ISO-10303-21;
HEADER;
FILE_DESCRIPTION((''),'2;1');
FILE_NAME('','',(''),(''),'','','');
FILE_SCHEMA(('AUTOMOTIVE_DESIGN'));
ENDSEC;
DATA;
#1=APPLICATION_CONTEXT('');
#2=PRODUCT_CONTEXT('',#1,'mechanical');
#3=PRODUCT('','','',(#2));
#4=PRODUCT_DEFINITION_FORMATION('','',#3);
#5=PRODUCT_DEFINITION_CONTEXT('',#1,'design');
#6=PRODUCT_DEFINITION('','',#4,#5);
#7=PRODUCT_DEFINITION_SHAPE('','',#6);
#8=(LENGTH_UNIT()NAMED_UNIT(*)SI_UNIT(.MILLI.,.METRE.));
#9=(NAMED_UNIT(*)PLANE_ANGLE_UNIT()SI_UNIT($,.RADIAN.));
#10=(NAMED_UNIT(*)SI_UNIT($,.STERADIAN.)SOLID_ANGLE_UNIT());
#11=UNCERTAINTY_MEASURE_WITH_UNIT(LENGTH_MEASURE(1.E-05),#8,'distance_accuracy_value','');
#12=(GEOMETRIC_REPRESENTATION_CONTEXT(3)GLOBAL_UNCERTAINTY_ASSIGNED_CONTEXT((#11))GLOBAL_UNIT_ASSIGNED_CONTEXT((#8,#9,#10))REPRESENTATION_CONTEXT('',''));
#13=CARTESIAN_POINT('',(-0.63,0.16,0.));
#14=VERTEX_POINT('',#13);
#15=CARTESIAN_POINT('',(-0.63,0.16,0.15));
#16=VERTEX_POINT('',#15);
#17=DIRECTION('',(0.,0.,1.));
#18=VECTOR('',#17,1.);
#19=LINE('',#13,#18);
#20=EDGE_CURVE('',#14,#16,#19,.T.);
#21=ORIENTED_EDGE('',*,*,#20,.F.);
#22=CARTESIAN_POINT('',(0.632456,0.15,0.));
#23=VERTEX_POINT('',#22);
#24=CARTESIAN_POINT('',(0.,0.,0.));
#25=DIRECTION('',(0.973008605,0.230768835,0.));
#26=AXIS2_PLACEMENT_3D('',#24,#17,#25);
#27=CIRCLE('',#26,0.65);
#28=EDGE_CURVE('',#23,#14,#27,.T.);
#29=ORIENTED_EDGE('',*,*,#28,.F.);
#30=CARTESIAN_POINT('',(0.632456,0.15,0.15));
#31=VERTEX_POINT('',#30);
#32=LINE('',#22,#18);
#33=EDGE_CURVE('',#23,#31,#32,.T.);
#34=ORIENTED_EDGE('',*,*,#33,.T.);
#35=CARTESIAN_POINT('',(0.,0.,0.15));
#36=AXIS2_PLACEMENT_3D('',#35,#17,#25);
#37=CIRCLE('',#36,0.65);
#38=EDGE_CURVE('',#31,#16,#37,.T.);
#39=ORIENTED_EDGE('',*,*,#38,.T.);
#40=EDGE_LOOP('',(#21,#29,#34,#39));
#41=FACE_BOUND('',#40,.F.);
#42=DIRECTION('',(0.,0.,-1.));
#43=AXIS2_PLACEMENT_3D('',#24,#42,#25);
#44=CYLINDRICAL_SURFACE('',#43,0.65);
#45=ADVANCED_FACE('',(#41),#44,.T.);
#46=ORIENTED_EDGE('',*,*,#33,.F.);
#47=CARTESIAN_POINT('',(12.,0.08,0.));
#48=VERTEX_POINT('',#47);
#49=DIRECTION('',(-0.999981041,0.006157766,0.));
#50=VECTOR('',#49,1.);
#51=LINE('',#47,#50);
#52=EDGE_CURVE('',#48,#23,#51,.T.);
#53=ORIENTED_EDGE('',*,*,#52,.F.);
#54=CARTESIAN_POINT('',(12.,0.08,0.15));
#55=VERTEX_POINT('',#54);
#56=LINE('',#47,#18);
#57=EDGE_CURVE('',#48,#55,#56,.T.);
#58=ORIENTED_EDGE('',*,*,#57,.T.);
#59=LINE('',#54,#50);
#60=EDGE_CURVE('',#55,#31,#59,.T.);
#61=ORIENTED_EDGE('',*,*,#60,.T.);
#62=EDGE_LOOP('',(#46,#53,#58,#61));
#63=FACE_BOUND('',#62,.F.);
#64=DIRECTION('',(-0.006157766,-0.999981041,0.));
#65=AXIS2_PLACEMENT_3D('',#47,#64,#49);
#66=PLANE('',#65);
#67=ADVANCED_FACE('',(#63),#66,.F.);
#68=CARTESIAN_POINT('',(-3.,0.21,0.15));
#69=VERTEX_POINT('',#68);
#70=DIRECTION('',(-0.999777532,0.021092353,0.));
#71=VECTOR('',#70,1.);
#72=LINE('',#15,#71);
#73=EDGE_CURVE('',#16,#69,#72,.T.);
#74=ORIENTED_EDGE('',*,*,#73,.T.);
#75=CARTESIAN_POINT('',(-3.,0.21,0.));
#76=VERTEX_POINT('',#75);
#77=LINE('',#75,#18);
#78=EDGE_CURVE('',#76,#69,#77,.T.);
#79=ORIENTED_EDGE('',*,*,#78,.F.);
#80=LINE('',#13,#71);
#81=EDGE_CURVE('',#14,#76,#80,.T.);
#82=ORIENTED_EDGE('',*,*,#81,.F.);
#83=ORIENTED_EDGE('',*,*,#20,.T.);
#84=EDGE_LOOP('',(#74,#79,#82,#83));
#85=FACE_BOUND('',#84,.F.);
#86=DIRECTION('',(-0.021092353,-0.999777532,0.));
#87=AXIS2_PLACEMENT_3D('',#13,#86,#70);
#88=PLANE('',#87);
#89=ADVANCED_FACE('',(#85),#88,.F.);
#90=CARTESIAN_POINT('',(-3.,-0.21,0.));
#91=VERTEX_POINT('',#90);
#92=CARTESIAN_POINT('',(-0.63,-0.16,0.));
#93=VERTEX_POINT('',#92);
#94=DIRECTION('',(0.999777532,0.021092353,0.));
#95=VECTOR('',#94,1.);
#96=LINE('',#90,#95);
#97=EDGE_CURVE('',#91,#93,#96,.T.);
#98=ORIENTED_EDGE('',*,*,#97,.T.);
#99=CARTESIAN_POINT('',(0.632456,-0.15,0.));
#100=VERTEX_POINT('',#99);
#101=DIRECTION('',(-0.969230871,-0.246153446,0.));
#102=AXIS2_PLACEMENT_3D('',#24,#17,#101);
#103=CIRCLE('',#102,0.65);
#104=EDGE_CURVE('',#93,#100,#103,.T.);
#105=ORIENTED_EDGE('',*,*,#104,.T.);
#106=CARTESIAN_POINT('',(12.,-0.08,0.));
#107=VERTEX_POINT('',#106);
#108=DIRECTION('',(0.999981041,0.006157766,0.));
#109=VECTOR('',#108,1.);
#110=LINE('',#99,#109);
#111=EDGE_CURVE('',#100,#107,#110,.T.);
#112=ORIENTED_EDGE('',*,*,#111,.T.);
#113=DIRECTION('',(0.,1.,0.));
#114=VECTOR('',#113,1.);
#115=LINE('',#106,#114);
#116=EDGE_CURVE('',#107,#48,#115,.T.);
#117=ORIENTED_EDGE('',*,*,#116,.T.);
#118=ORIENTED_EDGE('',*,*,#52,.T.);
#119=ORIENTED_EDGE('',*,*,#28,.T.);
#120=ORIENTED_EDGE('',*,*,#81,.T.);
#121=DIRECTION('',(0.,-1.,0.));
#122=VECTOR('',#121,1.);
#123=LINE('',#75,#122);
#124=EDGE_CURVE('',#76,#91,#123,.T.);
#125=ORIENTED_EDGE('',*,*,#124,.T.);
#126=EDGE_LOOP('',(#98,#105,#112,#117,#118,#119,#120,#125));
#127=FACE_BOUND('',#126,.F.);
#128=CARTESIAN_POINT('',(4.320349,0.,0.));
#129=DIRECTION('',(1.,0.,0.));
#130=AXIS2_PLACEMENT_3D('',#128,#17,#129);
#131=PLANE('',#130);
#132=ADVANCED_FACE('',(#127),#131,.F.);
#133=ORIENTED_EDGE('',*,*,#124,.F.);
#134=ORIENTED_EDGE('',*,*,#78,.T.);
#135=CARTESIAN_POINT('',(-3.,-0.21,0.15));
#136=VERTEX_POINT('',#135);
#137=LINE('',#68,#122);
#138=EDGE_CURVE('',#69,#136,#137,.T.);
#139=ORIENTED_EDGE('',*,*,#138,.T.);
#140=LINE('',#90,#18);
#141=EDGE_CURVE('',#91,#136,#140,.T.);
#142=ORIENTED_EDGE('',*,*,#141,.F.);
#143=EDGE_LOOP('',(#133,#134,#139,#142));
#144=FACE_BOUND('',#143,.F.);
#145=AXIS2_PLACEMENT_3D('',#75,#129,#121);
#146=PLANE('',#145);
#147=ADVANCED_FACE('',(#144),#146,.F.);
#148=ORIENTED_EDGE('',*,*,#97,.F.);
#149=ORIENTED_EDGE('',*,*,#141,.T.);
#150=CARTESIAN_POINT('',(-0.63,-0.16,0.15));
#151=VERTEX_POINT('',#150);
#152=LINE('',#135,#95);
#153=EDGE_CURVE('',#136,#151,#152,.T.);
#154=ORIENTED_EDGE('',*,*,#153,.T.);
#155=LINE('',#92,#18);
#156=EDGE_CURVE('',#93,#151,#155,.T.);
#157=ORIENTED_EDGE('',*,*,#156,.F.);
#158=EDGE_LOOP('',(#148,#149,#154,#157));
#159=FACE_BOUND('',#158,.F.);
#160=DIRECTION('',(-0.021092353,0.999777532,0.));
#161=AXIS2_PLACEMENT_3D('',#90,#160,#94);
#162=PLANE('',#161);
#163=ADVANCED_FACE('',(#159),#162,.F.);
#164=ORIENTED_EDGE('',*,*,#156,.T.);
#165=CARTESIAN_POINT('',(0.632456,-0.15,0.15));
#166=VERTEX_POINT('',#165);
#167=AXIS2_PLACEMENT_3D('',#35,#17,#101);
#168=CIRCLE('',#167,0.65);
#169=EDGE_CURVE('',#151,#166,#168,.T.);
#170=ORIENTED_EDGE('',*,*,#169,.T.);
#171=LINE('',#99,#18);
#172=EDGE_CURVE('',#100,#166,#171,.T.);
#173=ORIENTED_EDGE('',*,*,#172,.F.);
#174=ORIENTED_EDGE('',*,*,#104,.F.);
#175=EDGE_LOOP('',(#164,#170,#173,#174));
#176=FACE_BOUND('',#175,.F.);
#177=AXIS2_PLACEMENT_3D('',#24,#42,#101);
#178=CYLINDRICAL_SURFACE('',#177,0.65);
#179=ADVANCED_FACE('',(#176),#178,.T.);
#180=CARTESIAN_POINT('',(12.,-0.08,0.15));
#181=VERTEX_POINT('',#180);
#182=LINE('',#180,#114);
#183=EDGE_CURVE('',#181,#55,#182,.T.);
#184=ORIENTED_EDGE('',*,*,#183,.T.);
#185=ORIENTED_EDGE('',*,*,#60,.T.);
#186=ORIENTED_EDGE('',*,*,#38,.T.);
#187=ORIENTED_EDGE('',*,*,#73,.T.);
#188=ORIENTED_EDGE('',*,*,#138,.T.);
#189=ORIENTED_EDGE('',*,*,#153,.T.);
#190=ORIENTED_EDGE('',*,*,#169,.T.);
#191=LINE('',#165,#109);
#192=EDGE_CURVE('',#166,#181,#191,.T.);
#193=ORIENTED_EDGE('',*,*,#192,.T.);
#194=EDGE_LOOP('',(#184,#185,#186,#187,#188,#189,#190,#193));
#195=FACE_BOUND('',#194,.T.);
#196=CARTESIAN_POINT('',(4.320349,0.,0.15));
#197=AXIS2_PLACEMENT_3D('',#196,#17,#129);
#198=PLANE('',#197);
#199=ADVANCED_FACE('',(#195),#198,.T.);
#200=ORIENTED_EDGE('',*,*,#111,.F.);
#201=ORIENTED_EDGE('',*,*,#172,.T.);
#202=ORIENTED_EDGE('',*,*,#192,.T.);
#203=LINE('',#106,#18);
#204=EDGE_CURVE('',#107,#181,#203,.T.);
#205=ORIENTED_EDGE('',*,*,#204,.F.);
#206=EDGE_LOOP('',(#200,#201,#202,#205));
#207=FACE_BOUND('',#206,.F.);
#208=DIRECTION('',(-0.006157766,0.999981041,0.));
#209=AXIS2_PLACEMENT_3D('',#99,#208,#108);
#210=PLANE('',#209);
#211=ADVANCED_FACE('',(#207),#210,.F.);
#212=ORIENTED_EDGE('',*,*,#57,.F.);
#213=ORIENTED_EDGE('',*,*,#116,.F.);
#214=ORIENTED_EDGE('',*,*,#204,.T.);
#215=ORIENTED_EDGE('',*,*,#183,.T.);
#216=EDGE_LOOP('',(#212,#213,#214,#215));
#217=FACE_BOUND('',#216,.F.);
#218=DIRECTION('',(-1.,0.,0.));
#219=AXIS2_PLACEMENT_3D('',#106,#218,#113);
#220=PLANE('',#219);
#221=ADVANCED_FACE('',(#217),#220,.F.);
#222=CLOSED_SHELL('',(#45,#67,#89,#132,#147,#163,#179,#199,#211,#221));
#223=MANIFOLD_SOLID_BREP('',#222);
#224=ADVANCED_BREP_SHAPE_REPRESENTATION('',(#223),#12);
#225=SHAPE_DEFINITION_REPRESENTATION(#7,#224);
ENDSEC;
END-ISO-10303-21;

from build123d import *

# Parameters (mm, degrees)
F1_DEPTH = 0.15


with BuildPart() as f1:
    # F0 (on Top) → F1 (new body)
    with BuildSketch(Plane.XY):
        with BuildLine():
            Line((12, 0.08), (0.632456, 0.15))
            ThreePointArc((0.632456, 0.15), (0.005149, 0.64998), (-0.63, 0.16))
            Line((-0.63, 0.16), (-3, 0.21))
            Line((-3, 0.21), (-3, 0))
            Line((-3, 0), (-3, -0.21))
            Line((-3, -0.21), (-0.63, -0.16))
            ThreePointArc((-0.63, -0.16), (0.005149, -0.64998), (0.632456, -0.15))
            Line((0.632456, -0.15), (12, -0.08))
            Line((12, -0.08), (12, 0))
            Line((12, 0), (12, 0.08))
        make_face()
    extrude(amount=F1_DEPTH)


solid = f1.part
